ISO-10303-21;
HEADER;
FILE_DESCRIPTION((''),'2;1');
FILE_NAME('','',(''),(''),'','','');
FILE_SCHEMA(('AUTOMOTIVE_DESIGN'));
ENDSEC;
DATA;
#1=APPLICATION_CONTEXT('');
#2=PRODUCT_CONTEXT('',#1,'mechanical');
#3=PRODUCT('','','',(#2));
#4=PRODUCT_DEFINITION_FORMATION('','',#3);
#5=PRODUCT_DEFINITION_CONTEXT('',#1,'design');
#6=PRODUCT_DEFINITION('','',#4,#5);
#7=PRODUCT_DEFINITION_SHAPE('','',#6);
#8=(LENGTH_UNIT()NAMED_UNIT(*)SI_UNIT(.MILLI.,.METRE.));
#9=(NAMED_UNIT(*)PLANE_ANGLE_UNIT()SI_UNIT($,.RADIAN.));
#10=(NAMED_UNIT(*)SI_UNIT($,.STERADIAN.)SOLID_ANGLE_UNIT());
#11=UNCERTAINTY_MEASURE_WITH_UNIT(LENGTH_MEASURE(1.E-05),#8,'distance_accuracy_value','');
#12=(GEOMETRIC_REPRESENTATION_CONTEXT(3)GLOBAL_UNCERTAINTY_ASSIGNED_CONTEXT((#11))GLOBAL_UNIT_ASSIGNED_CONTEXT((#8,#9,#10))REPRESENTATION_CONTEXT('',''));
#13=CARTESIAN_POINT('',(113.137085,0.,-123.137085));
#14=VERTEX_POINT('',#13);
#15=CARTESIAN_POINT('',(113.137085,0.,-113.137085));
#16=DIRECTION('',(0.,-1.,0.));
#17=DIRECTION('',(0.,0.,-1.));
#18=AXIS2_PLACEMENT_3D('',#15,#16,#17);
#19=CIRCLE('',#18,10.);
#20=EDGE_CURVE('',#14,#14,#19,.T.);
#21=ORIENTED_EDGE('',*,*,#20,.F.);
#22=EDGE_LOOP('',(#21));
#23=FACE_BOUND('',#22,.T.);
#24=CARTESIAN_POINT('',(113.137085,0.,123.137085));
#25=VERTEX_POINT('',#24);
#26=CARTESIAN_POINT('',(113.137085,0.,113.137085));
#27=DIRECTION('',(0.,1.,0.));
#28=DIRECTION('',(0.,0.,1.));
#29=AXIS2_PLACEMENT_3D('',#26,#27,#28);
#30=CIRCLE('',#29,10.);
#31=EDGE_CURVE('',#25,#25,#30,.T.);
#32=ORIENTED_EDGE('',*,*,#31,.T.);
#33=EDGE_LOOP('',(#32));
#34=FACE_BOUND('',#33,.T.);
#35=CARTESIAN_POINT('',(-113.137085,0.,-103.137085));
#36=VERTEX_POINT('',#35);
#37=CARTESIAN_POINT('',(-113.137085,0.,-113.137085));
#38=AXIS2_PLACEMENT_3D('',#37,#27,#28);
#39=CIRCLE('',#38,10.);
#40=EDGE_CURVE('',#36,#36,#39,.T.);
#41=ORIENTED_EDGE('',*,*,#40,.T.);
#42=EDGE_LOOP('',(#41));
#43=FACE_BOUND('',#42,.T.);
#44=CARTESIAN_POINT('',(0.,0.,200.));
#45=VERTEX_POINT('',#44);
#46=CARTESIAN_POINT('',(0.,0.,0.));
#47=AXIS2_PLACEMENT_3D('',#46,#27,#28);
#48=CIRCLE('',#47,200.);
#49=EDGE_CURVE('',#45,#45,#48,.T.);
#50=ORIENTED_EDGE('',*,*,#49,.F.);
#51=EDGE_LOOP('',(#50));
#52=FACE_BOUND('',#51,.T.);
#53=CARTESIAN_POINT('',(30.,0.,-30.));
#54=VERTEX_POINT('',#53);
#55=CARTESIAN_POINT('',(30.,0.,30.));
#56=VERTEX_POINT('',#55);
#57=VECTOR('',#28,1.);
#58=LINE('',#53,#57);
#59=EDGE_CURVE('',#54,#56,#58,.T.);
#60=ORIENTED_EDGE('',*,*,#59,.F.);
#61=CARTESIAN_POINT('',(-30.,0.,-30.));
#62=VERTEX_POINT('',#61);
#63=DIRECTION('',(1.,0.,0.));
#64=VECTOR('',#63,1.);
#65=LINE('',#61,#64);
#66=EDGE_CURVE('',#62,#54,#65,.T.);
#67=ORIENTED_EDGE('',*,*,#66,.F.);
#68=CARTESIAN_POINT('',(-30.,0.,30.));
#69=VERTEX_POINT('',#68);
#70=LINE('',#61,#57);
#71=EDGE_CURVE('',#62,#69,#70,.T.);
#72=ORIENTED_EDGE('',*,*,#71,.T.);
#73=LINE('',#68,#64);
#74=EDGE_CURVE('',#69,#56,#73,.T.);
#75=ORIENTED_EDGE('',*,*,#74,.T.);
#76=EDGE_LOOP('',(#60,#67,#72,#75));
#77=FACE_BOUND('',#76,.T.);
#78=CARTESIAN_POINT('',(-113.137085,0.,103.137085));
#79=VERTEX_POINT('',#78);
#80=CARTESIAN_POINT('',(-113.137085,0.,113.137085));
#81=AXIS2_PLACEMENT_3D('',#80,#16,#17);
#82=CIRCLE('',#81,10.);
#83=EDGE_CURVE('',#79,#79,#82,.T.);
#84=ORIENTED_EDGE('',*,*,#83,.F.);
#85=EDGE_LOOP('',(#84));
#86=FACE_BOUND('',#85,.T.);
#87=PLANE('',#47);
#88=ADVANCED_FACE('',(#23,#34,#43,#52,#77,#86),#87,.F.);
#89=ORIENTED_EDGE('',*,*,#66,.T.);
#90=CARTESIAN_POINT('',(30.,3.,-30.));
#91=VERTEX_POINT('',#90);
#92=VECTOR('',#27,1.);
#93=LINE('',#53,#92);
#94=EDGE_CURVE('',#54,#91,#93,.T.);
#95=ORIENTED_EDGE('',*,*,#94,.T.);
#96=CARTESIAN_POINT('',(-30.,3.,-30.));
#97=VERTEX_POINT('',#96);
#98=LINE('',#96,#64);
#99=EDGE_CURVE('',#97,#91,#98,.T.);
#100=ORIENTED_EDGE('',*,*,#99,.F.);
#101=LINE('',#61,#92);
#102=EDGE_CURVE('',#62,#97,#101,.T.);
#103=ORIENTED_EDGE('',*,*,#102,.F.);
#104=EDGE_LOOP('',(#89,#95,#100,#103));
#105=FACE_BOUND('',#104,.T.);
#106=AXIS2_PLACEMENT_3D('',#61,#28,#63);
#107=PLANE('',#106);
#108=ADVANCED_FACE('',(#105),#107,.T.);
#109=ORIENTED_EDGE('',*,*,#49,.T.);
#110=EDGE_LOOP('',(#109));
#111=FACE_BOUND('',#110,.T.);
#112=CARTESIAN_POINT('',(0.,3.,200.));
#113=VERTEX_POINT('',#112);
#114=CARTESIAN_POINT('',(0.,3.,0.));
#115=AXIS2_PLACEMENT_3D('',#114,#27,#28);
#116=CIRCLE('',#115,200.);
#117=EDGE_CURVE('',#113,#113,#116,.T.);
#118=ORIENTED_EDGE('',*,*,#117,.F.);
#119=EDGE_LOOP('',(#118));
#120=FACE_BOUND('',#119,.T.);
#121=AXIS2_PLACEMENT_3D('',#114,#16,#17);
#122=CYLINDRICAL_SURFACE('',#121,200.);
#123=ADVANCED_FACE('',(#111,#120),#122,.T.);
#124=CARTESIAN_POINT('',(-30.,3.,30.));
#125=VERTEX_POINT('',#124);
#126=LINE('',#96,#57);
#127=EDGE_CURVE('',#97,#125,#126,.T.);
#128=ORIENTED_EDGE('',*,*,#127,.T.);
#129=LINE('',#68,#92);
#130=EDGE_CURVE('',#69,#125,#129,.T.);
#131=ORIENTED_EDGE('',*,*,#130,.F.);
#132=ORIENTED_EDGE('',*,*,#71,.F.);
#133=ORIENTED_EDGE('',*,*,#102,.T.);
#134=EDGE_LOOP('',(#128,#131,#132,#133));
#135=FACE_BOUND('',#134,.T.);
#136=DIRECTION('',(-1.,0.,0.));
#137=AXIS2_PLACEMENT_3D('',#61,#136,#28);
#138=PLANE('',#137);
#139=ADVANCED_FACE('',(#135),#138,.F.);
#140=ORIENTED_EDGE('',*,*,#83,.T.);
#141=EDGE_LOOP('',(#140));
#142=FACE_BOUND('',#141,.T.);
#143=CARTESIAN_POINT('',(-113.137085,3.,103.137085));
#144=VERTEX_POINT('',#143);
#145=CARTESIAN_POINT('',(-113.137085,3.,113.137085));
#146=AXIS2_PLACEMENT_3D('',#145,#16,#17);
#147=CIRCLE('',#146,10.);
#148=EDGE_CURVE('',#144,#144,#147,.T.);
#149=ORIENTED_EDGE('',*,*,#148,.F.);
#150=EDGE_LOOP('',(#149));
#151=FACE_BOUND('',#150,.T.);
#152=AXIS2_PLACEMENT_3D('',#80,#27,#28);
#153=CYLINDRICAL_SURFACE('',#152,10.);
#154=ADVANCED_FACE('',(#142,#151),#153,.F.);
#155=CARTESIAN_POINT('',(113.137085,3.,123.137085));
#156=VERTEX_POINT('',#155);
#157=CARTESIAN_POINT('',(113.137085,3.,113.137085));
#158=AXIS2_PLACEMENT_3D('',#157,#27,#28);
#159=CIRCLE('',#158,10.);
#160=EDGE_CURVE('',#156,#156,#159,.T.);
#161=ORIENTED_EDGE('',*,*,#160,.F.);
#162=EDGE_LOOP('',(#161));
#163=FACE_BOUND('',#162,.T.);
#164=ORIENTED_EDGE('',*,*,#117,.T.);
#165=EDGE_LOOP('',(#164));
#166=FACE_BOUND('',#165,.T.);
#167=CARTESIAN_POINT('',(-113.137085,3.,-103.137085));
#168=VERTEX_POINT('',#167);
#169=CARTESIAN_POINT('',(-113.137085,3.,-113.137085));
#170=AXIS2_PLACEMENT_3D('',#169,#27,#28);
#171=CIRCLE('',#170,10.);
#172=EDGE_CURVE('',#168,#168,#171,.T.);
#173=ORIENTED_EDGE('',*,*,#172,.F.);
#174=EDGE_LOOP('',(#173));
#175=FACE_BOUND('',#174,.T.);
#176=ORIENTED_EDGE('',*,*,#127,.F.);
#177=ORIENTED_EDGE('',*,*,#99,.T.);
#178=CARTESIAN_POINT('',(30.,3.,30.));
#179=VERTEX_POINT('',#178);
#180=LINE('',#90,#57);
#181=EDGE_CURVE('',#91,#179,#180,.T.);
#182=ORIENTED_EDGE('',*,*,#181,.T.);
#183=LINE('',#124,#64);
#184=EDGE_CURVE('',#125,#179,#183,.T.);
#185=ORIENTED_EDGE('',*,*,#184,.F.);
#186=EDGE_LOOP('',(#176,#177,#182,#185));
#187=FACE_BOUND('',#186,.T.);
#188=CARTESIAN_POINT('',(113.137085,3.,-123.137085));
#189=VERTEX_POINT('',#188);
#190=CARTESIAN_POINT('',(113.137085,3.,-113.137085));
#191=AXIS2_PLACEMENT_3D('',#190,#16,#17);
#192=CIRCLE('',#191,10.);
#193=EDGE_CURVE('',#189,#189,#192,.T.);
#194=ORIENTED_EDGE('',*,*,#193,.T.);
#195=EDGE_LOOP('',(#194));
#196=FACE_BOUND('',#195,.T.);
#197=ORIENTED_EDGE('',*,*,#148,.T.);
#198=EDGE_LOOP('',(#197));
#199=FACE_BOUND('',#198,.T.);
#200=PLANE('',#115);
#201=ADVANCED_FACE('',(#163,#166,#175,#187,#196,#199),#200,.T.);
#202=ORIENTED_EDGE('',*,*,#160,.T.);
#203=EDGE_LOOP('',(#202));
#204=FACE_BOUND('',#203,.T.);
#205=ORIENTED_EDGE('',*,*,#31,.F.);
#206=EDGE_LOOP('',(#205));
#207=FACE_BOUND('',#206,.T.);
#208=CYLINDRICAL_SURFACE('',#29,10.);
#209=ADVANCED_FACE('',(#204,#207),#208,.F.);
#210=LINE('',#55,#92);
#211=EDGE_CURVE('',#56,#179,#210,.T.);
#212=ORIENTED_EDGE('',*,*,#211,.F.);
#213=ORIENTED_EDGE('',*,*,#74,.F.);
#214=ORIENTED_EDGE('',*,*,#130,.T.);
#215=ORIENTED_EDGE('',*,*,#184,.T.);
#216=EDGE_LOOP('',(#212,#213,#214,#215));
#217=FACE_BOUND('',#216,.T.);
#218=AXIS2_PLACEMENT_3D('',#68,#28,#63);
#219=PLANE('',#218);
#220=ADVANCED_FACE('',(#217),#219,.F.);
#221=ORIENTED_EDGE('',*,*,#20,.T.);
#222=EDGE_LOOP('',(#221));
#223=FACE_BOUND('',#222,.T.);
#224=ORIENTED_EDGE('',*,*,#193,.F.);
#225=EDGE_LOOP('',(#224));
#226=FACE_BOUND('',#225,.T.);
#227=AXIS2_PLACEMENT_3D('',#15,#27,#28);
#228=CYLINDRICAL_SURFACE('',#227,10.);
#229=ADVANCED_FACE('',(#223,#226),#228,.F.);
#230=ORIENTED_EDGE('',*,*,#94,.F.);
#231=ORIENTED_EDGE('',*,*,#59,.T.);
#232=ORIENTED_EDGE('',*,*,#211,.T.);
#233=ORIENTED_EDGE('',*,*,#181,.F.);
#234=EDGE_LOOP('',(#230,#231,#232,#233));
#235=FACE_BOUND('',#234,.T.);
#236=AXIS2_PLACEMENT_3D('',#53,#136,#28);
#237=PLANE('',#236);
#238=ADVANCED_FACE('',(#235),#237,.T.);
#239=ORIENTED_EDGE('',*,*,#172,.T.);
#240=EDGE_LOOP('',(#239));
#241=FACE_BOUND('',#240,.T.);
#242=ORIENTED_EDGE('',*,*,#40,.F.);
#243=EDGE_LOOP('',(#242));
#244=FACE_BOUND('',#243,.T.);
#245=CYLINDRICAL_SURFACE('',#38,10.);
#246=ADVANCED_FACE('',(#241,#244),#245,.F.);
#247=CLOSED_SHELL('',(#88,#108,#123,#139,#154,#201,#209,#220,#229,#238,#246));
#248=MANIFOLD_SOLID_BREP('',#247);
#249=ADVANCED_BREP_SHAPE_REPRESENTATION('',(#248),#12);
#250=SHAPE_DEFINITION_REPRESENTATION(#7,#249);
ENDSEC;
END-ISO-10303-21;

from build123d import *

# Parameters (mm, degrees)
SKETCH_1_R          = 200
EXTRUDE_1_DEPTH     = 3
SKETCH_2_R          = 10
CUT_EXTRUDE_1_DEPTH = 3
SKETCH_3_W          = 60
SKETCH_3_H          = 60
CUT_EXTRUDE_2_DEPTH = 3


with BuildPart() as part:
    # 草图1 → 凸台-拉伸1 (new body)
    with BuildSketch(Plane(origin=(0, 0, 0), x_dir=(1, 0, 0), z_dir=(0, 1, 0))):
        with Locations(Location((0, 0, 0), (0, 0, 270))):
            Circle(SKETCH_1_R)
    extrude(amount=EXTRUDE_1_DEPTH)

    # 草图2 → 切除-拉伸1 (cut)
    with BuildSketch(Plane(origin=(0, 3, 0), x_dir=(1, 0, 0), z_dir=(0, 1, 0))):
        with Locations(Location((-113.13708499, 113.13708499, 0), (0, 0, 270))):
            Circle(SKETCH_2_R)
        with Locations(Location((-113.13708499, -113.13708499, 0), (0, 0, 90))):
            Circle(SKETCH_2_R)
        with Locations(Location((113.13708499, -113.13708499, 0), (0, 0, 270))):
            Circle(SKETCH_2_R)
        with Locations(Location((113.13708499, 113.13708499, 0), (0, 0, 90))):
            Circle(SKETCH_2_R)
    extrude(amount=-CUT_EXTRUDE_1_DEPTH, mode=Mode.SUBTRACT)

    # 草图3 → 切除-拉伸2 (cut)
    with BuildSketch(Plane(origin=(0, 3, 0), x_dir=(1, 0, 0), z_dir=(0, 1, 0))):
        Rectangle(SKETCH_3_W, SKETCH_3_H)
    extrude(amount=-CUT_EXTRUDE_2_DEPTH, mode=Mode.SUBTRACT)


solid = part.part
